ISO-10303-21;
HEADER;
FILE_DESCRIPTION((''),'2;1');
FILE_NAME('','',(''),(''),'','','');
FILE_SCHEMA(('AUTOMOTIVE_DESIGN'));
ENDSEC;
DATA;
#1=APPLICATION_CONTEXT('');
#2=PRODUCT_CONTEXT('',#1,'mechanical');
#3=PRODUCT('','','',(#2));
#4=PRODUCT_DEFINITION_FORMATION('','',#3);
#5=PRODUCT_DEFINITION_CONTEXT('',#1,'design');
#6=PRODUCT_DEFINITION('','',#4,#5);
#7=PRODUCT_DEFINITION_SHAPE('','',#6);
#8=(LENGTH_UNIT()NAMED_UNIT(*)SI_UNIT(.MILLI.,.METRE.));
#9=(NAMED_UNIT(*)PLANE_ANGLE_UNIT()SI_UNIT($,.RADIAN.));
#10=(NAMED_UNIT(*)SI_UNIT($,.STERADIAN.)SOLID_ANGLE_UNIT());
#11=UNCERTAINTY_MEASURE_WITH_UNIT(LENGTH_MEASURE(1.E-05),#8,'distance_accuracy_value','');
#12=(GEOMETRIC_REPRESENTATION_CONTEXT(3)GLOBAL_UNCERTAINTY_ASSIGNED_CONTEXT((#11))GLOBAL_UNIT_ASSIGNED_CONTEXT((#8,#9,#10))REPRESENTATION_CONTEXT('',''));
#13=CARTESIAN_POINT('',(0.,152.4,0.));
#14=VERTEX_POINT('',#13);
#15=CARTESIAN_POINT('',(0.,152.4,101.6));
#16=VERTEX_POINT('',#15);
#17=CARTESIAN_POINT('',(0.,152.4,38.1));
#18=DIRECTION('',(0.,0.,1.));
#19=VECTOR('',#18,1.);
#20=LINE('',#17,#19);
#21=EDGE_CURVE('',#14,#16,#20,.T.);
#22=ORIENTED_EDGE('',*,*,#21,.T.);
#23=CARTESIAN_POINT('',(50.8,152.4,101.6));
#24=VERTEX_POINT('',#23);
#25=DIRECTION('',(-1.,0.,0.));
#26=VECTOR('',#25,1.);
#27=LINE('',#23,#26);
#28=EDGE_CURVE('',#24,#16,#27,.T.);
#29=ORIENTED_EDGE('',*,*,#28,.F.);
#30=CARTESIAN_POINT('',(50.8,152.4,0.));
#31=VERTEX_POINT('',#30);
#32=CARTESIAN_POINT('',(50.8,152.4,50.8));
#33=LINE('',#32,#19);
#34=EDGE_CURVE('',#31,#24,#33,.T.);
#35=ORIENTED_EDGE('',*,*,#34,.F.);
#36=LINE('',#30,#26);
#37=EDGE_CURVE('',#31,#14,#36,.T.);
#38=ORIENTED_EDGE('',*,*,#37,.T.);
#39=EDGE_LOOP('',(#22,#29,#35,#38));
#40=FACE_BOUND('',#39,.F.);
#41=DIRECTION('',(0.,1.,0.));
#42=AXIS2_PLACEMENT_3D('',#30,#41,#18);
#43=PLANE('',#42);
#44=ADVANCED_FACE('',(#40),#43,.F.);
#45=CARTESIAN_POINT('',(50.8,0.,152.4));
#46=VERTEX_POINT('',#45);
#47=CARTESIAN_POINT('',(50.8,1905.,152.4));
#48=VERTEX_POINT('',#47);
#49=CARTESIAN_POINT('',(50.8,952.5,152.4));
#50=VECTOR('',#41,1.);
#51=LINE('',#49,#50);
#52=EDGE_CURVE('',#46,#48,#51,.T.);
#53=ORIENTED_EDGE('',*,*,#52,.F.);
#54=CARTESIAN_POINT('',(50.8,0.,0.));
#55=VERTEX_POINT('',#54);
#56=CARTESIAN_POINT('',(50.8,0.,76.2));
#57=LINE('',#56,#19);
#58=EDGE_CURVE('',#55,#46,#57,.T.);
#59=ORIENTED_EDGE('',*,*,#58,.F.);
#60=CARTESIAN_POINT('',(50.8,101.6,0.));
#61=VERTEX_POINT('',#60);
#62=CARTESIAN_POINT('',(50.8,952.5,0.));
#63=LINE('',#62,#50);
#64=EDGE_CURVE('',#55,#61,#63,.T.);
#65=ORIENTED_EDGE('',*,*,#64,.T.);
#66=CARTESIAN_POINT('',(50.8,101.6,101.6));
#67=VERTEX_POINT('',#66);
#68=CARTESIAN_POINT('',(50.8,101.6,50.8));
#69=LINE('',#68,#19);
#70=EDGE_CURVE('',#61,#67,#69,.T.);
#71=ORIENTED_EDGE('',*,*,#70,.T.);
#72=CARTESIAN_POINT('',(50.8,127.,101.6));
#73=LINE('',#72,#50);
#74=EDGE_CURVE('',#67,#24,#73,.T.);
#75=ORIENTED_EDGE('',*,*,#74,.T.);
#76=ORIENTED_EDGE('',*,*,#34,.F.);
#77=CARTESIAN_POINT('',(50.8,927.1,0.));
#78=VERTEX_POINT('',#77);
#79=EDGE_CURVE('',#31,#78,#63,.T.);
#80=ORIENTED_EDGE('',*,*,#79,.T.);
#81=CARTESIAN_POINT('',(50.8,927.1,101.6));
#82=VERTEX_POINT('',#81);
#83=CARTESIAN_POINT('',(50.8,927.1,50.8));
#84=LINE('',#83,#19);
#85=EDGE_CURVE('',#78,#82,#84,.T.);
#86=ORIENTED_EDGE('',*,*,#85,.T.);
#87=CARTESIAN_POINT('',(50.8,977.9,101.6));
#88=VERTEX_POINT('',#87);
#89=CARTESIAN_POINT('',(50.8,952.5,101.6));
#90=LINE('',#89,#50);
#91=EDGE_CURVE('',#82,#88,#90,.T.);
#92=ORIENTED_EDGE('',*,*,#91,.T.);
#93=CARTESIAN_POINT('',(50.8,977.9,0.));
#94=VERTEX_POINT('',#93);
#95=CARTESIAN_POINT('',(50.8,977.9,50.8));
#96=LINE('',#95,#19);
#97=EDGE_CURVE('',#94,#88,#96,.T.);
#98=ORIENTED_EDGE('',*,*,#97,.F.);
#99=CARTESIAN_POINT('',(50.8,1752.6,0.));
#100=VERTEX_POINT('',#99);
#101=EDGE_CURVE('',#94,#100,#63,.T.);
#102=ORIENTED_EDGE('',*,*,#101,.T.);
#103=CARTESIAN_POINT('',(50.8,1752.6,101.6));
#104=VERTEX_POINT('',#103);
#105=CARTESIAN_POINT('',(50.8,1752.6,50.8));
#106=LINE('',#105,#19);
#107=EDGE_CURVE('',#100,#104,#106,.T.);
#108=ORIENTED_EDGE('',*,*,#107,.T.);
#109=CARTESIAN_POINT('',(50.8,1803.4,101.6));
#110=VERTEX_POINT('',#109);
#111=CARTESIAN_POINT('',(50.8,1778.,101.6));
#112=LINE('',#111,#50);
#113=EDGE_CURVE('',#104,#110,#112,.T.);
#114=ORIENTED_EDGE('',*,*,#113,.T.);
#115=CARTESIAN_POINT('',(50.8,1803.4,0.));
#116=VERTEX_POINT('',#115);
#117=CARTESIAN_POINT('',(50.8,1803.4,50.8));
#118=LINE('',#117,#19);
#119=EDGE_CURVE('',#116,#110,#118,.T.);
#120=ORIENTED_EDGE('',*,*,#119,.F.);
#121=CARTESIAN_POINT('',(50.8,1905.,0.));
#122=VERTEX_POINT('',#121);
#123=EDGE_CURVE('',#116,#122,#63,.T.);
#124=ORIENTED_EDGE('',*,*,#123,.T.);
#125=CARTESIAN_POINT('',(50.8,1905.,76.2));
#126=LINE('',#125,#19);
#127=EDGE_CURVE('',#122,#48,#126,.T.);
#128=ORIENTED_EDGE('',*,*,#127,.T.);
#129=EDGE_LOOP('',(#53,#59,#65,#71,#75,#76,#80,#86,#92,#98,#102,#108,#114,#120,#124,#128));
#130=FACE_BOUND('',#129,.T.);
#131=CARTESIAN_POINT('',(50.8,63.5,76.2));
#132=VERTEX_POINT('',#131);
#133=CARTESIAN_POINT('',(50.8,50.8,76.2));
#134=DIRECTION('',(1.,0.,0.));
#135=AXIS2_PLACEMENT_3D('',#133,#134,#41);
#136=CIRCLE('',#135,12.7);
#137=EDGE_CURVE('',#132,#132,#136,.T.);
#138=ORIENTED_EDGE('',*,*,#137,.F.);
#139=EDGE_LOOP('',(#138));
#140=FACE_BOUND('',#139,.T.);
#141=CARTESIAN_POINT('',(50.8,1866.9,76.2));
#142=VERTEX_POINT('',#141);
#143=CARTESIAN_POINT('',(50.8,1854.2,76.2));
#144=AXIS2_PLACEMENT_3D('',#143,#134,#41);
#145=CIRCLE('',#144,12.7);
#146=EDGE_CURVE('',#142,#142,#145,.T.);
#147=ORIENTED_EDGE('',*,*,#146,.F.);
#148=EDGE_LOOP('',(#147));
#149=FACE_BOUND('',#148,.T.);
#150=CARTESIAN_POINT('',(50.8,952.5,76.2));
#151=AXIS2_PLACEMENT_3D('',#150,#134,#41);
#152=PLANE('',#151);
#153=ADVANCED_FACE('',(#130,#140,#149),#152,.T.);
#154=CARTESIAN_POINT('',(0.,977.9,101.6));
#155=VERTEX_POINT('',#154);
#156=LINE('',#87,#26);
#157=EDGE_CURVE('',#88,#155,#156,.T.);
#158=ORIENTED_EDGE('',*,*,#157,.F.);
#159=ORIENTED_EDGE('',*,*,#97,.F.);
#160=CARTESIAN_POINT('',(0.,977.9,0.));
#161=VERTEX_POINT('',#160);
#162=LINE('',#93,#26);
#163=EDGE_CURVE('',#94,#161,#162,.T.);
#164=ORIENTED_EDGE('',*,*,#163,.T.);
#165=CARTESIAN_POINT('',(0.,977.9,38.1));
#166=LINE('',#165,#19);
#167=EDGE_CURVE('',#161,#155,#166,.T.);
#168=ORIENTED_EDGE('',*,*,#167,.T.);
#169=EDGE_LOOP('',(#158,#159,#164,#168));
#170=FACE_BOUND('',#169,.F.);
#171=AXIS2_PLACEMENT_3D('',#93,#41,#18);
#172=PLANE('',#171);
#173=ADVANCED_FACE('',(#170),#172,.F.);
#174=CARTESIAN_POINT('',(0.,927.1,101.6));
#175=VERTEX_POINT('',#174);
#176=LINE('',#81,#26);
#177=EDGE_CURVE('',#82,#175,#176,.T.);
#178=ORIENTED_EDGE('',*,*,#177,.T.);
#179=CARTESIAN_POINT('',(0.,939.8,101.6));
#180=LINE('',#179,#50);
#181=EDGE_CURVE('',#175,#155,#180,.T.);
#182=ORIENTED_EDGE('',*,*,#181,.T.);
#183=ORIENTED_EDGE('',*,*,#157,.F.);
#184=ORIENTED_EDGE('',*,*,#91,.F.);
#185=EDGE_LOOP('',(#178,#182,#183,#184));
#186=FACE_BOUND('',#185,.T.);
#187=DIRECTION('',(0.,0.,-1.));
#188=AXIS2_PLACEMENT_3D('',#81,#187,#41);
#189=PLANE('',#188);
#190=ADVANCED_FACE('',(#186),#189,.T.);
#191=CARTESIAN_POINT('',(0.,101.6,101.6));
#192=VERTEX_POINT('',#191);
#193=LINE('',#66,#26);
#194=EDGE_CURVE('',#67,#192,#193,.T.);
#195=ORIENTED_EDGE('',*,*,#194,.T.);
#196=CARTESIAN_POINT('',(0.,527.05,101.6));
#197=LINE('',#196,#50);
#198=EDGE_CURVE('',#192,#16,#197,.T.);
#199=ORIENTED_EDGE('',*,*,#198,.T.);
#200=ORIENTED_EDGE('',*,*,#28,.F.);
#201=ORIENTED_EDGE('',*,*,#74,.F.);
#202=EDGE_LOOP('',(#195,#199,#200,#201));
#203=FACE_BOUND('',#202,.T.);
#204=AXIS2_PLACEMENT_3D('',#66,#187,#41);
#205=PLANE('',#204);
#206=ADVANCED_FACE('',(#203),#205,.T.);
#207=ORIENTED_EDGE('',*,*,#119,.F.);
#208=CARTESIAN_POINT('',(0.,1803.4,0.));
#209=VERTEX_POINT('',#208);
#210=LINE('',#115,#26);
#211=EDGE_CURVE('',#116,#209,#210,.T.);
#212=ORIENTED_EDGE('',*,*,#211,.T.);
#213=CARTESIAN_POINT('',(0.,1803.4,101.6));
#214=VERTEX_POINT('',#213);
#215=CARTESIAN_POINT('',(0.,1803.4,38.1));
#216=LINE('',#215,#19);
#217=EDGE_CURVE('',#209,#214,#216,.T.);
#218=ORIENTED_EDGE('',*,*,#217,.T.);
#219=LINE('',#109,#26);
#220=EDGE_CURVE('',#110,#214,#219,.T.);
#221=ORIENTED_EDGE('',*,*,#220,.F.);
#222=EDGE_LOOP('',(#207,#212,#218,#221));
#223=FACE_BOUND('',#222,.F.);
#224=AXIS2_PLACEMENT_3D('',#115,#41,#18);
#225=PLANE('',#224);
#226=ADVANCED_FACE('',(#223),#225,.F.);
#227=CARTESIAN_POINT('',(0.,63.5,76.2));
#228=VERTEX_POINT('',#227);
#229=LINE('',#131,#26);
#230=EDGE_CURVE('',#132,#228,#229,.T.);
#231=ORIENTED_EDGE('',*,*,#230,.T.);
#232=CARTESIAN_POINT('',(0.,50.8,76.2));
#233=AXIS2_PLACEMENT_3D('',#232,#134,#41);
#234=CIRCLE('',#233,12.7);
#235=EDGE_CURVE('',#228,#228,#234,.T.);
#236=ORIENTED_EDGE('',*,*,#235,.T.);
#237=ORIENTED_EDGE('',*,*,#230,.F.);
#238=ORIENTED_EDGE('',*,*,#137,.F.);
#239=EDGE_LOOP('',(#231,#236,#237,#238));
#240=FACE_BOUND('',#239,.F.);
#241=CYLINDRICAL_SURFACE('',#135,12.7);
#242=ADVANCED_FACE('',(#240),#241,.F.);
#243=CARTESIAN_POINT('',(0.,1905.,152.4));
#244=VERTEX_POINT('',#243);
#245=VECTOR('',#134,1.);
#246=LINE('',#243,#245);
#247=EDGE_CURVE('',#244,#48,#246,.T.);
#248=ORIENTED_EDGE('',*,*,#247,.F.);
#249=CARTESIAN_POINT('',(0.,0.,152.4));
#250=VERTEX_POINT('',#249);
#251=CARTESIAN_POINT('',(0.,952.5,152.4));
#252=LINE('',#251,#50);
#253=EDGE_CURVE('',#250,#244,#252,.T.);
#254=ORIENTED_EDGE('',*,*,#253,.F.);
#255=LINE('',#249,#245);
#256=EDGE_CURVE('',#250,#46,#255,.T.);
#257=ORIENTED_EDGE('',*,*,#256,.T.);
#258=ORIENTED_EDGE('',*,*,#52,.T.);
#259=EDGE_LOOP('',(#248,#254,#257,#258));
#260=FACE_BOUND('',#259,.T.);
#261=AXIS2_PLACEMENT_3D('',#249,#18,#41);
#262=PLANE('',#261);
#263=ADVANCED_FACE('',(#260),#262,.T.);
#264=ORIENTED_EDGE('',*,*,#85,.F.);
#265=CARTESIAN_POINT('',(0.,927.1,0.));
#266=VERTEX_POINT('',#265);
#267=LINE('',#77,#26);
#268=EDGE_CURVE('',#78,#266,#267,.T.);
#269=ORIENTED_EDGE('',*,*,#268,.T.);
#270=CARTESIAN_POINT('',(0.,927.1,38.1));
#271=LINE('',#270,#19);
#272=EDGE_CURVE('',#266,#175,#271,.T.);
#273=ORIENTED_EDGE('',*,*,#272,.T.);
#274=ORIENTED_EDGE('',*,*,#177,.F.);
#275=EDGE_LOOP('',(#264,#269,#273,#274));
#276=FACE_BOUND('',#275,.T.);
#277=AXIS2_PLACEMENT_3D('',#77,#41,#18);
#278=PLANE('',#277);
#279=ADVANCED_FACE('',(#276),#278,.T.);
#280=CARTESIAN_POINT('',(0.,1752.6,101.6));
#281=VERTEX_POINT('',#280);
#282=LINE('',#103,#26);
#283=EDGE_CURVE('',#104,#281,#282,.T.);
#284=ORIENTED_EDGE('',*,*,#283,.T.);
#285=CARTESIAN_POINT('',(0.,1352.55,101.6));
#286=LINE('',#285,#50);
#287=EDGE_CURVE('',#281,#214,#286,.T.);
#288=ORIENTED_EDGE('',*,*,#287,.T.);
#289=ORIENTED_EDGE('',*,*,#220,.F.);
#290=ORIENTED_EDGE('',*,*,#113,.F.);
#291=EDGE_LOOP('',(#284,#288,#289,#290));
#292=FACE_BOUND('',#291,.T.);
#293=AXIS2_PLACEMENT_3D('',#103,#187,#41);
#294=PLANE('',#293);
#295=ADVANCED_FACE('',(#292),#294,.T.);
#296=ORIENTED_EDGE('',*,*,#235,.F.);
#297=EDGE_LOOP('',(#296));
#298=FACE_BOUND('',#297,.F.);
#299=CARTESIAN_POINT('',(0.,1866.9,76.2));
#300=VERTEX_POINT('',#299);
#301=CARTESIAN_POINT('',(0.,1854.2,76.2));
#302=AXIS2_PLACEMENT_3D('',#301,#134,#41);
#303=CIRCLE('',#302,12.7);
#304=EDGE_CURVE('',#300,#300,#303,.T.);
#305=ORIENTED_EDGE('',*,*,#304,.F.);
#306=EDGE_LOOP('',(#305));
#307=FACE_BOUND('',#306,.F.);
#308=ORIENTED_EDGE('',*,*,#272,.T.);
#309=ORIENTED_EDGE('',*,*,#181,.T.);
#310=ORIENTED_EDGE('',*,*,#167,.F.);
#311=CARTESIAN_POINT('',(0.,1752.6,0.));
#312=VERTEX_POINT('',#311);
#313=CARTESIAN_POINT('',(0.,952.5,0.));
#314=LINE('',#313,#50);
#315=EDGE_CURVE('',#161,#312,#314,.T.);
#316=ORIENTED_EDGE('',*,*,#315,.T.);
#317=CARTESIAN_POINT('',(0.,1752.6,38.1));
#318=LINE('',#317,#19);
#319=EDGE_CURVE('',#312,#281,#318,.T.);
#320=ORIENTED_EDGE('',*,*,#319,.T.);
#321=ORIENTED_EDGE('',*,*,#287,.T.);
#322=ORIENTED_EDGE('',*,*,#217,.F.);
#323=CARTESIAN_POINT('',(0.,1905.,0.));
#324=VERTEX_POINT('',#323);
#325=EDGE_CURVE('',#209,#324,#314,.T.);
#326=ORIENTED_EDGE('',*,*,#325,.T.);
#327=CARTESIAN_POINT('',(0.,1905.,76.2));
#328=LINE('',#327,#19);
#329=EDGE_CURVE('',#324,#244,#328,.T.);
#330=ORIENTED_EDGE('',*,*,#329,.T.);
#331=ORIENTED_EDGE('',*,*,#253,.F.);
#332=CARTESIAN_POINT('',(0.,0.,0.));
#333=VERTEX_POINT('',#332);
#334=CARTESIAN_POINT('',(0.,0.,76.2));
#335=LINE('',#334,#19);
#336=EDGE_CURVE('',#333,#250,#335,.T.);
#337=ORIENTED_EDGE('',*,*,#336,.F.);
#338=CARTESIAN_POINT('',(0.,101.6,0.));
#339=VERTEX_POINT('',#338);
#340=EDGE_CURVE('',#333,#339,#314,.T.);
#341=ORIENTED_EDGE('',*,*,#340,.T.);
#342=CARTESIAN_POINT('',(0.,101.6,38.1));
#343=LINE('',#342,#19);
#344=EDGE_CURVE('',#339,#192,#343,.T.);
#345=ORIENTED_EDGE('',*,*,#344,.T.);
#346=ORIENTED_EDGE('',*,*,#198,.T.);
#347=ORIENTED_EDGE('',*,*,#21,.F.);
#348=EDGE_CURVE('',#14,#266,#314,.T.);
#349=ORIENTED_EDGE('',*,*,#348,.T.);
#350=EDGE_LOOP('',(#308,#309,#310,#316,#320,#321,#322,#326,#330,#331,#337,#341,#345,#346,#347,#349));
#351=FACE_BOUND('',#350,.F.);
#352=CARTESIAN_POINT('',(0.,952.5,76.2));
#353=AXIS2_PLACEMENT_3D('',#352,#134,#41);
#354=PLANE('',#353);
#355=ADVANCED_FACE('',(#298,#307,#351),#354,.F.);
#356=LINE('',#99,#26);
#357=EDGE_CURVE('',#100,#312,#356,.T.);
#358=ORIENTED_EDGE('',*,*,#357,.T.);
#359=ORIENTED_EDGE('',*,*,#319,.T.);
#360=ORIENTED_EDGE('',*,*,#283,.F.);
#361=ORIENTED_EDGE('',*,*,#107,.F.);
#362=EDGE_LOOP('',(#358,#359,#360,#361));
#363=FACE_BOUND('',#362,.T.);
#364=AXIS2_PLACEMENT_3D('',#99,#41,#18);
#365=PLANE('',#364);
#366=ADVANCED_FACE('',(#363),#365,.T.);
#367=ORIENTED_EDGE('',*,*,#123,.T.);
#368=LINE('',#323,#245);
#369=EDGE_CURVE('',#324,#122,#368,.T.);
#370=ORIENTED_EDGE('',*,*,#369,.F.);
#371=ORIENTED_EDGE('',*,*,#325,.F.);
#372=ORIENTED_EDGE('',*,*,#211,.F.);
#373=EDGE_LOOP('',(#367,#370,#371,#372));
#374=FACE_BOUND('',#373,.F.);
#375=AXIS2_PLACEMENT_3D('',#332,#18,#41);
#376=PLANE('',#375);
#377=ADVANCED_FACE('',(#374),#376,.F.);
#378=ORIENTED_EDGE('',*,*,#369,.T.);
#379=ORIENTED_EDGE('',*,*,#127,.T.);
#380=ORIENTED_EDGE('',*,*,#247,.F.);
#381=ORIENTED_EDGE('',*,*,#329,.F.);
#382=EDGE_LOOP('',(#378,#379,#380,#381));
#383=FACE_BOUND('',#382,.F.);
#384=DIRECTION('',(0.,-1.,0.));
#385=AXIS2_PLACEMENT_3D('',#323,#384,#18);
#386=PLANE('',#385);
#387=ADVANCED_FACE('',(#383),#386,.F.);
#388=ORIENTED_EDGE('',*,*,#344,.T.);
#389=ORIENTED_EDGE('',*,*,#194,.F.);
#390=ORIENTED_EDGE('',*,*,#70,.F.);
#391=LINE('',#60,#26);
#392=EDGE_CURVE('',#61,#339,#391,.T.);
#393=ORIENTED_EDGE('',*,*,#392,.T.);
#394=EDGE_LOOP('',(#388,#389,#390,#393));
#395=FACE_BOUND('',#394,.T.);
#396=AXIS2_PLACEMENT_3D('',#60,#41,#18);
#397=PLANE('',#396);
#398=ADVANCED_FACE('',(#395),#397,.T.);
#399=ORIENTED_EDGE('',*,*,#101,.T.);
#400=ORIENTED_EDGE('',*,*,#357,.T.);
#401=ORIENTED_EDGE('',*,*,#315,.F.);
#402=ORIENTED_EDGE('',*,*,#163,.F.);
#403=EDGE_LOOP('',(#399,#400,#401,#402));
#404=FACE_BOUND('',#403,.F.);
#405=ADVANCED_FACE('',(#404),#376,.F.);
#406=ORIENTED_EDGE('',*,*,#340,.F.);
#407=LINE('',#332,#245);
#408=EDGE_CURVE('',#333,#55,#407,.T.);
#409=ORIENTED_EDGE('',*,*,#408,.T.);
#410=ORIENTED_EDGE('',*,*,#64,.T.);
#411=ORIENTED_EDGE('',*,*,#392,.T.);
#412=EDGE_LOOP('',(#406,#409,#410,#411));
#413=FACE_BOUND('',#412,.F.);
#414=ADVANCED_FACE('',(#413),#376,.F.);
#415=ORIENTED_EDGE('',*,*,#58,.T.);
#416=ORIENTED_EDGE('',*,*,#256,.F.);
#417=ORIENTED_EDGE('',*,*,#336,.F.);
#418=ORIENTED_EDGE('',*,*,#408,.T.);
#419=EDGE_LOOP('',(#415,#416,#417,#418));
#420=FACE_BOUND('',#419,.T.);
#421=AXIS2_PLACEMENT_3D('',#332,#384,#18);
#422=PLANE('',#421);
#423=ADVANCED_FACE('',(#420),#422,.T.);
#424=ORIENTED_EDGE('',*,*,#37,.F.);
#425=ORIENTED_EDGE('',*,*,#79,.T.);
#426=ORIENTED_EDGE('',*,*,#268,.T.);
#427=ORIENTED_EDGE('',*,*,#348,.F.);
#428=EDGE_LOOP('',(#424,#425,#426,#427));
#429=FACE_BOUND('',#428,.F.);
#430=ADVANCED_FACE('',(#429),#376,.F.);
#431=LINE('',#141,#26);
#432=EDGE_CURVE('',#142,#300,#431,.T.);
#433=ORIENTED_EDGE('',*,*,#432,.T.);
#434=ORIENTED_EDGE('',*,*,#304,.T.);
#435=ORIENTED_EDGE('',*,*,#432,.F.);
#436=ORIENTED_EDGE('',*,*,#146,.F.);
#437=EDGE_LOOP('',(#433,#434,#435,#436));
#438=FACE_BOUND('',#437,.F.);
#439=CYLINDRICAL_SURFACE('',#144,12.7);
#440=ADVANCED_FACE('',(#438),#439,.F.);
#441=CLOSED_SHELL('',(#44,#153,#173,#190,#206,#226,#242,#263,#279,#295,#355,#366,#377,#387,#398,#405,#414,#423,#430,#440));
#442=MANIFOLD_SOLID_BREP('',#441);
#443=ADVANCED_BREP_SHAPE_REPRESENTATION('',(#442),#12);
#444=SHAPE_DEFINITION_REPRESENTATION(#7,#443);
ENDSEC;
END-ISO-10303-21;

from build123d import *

# Parameters (mm, degrees)
F0_W     = 1905
F0_H     = 152.4
F1_DEPTH = 50.8
F2_W     = 50.8
F2_H     = 101.6
F2_R     = 12.7
F3_DEPTH = 50.801


with BuildPart() as f1:
    # F0 (on Right) → F1 (new body)
    with BuildSketch(Plane.YZ):
        with Locations((952.5, 76.2)):
            Rectangle(F0_W, F0_H)
    extrude(amount=F1_DEPTH)

    # F2 (on face) → F3 (cut, through all)
    with BuildSketch(Plane.YZ.offset(50.8)):
        with Locations((127, 50.8)):
            Rectangle(F2_W, F2_H)
        with Locations((1778, 50.8)):
            Rectangle(F2_W, F2_H)
        with Locations((50.8, 76.2)):
            Circle(F2_R)
        with Locations((1854.2, 76.2)):
            Circle(F2_R)
        with Locations((952.5, 50.8)):
            Rectangle(F2_W, F2_H)
    extrude(amount=-F3_DEPTH, mode=Mode.SUBTRACT)


solid = f1.part
